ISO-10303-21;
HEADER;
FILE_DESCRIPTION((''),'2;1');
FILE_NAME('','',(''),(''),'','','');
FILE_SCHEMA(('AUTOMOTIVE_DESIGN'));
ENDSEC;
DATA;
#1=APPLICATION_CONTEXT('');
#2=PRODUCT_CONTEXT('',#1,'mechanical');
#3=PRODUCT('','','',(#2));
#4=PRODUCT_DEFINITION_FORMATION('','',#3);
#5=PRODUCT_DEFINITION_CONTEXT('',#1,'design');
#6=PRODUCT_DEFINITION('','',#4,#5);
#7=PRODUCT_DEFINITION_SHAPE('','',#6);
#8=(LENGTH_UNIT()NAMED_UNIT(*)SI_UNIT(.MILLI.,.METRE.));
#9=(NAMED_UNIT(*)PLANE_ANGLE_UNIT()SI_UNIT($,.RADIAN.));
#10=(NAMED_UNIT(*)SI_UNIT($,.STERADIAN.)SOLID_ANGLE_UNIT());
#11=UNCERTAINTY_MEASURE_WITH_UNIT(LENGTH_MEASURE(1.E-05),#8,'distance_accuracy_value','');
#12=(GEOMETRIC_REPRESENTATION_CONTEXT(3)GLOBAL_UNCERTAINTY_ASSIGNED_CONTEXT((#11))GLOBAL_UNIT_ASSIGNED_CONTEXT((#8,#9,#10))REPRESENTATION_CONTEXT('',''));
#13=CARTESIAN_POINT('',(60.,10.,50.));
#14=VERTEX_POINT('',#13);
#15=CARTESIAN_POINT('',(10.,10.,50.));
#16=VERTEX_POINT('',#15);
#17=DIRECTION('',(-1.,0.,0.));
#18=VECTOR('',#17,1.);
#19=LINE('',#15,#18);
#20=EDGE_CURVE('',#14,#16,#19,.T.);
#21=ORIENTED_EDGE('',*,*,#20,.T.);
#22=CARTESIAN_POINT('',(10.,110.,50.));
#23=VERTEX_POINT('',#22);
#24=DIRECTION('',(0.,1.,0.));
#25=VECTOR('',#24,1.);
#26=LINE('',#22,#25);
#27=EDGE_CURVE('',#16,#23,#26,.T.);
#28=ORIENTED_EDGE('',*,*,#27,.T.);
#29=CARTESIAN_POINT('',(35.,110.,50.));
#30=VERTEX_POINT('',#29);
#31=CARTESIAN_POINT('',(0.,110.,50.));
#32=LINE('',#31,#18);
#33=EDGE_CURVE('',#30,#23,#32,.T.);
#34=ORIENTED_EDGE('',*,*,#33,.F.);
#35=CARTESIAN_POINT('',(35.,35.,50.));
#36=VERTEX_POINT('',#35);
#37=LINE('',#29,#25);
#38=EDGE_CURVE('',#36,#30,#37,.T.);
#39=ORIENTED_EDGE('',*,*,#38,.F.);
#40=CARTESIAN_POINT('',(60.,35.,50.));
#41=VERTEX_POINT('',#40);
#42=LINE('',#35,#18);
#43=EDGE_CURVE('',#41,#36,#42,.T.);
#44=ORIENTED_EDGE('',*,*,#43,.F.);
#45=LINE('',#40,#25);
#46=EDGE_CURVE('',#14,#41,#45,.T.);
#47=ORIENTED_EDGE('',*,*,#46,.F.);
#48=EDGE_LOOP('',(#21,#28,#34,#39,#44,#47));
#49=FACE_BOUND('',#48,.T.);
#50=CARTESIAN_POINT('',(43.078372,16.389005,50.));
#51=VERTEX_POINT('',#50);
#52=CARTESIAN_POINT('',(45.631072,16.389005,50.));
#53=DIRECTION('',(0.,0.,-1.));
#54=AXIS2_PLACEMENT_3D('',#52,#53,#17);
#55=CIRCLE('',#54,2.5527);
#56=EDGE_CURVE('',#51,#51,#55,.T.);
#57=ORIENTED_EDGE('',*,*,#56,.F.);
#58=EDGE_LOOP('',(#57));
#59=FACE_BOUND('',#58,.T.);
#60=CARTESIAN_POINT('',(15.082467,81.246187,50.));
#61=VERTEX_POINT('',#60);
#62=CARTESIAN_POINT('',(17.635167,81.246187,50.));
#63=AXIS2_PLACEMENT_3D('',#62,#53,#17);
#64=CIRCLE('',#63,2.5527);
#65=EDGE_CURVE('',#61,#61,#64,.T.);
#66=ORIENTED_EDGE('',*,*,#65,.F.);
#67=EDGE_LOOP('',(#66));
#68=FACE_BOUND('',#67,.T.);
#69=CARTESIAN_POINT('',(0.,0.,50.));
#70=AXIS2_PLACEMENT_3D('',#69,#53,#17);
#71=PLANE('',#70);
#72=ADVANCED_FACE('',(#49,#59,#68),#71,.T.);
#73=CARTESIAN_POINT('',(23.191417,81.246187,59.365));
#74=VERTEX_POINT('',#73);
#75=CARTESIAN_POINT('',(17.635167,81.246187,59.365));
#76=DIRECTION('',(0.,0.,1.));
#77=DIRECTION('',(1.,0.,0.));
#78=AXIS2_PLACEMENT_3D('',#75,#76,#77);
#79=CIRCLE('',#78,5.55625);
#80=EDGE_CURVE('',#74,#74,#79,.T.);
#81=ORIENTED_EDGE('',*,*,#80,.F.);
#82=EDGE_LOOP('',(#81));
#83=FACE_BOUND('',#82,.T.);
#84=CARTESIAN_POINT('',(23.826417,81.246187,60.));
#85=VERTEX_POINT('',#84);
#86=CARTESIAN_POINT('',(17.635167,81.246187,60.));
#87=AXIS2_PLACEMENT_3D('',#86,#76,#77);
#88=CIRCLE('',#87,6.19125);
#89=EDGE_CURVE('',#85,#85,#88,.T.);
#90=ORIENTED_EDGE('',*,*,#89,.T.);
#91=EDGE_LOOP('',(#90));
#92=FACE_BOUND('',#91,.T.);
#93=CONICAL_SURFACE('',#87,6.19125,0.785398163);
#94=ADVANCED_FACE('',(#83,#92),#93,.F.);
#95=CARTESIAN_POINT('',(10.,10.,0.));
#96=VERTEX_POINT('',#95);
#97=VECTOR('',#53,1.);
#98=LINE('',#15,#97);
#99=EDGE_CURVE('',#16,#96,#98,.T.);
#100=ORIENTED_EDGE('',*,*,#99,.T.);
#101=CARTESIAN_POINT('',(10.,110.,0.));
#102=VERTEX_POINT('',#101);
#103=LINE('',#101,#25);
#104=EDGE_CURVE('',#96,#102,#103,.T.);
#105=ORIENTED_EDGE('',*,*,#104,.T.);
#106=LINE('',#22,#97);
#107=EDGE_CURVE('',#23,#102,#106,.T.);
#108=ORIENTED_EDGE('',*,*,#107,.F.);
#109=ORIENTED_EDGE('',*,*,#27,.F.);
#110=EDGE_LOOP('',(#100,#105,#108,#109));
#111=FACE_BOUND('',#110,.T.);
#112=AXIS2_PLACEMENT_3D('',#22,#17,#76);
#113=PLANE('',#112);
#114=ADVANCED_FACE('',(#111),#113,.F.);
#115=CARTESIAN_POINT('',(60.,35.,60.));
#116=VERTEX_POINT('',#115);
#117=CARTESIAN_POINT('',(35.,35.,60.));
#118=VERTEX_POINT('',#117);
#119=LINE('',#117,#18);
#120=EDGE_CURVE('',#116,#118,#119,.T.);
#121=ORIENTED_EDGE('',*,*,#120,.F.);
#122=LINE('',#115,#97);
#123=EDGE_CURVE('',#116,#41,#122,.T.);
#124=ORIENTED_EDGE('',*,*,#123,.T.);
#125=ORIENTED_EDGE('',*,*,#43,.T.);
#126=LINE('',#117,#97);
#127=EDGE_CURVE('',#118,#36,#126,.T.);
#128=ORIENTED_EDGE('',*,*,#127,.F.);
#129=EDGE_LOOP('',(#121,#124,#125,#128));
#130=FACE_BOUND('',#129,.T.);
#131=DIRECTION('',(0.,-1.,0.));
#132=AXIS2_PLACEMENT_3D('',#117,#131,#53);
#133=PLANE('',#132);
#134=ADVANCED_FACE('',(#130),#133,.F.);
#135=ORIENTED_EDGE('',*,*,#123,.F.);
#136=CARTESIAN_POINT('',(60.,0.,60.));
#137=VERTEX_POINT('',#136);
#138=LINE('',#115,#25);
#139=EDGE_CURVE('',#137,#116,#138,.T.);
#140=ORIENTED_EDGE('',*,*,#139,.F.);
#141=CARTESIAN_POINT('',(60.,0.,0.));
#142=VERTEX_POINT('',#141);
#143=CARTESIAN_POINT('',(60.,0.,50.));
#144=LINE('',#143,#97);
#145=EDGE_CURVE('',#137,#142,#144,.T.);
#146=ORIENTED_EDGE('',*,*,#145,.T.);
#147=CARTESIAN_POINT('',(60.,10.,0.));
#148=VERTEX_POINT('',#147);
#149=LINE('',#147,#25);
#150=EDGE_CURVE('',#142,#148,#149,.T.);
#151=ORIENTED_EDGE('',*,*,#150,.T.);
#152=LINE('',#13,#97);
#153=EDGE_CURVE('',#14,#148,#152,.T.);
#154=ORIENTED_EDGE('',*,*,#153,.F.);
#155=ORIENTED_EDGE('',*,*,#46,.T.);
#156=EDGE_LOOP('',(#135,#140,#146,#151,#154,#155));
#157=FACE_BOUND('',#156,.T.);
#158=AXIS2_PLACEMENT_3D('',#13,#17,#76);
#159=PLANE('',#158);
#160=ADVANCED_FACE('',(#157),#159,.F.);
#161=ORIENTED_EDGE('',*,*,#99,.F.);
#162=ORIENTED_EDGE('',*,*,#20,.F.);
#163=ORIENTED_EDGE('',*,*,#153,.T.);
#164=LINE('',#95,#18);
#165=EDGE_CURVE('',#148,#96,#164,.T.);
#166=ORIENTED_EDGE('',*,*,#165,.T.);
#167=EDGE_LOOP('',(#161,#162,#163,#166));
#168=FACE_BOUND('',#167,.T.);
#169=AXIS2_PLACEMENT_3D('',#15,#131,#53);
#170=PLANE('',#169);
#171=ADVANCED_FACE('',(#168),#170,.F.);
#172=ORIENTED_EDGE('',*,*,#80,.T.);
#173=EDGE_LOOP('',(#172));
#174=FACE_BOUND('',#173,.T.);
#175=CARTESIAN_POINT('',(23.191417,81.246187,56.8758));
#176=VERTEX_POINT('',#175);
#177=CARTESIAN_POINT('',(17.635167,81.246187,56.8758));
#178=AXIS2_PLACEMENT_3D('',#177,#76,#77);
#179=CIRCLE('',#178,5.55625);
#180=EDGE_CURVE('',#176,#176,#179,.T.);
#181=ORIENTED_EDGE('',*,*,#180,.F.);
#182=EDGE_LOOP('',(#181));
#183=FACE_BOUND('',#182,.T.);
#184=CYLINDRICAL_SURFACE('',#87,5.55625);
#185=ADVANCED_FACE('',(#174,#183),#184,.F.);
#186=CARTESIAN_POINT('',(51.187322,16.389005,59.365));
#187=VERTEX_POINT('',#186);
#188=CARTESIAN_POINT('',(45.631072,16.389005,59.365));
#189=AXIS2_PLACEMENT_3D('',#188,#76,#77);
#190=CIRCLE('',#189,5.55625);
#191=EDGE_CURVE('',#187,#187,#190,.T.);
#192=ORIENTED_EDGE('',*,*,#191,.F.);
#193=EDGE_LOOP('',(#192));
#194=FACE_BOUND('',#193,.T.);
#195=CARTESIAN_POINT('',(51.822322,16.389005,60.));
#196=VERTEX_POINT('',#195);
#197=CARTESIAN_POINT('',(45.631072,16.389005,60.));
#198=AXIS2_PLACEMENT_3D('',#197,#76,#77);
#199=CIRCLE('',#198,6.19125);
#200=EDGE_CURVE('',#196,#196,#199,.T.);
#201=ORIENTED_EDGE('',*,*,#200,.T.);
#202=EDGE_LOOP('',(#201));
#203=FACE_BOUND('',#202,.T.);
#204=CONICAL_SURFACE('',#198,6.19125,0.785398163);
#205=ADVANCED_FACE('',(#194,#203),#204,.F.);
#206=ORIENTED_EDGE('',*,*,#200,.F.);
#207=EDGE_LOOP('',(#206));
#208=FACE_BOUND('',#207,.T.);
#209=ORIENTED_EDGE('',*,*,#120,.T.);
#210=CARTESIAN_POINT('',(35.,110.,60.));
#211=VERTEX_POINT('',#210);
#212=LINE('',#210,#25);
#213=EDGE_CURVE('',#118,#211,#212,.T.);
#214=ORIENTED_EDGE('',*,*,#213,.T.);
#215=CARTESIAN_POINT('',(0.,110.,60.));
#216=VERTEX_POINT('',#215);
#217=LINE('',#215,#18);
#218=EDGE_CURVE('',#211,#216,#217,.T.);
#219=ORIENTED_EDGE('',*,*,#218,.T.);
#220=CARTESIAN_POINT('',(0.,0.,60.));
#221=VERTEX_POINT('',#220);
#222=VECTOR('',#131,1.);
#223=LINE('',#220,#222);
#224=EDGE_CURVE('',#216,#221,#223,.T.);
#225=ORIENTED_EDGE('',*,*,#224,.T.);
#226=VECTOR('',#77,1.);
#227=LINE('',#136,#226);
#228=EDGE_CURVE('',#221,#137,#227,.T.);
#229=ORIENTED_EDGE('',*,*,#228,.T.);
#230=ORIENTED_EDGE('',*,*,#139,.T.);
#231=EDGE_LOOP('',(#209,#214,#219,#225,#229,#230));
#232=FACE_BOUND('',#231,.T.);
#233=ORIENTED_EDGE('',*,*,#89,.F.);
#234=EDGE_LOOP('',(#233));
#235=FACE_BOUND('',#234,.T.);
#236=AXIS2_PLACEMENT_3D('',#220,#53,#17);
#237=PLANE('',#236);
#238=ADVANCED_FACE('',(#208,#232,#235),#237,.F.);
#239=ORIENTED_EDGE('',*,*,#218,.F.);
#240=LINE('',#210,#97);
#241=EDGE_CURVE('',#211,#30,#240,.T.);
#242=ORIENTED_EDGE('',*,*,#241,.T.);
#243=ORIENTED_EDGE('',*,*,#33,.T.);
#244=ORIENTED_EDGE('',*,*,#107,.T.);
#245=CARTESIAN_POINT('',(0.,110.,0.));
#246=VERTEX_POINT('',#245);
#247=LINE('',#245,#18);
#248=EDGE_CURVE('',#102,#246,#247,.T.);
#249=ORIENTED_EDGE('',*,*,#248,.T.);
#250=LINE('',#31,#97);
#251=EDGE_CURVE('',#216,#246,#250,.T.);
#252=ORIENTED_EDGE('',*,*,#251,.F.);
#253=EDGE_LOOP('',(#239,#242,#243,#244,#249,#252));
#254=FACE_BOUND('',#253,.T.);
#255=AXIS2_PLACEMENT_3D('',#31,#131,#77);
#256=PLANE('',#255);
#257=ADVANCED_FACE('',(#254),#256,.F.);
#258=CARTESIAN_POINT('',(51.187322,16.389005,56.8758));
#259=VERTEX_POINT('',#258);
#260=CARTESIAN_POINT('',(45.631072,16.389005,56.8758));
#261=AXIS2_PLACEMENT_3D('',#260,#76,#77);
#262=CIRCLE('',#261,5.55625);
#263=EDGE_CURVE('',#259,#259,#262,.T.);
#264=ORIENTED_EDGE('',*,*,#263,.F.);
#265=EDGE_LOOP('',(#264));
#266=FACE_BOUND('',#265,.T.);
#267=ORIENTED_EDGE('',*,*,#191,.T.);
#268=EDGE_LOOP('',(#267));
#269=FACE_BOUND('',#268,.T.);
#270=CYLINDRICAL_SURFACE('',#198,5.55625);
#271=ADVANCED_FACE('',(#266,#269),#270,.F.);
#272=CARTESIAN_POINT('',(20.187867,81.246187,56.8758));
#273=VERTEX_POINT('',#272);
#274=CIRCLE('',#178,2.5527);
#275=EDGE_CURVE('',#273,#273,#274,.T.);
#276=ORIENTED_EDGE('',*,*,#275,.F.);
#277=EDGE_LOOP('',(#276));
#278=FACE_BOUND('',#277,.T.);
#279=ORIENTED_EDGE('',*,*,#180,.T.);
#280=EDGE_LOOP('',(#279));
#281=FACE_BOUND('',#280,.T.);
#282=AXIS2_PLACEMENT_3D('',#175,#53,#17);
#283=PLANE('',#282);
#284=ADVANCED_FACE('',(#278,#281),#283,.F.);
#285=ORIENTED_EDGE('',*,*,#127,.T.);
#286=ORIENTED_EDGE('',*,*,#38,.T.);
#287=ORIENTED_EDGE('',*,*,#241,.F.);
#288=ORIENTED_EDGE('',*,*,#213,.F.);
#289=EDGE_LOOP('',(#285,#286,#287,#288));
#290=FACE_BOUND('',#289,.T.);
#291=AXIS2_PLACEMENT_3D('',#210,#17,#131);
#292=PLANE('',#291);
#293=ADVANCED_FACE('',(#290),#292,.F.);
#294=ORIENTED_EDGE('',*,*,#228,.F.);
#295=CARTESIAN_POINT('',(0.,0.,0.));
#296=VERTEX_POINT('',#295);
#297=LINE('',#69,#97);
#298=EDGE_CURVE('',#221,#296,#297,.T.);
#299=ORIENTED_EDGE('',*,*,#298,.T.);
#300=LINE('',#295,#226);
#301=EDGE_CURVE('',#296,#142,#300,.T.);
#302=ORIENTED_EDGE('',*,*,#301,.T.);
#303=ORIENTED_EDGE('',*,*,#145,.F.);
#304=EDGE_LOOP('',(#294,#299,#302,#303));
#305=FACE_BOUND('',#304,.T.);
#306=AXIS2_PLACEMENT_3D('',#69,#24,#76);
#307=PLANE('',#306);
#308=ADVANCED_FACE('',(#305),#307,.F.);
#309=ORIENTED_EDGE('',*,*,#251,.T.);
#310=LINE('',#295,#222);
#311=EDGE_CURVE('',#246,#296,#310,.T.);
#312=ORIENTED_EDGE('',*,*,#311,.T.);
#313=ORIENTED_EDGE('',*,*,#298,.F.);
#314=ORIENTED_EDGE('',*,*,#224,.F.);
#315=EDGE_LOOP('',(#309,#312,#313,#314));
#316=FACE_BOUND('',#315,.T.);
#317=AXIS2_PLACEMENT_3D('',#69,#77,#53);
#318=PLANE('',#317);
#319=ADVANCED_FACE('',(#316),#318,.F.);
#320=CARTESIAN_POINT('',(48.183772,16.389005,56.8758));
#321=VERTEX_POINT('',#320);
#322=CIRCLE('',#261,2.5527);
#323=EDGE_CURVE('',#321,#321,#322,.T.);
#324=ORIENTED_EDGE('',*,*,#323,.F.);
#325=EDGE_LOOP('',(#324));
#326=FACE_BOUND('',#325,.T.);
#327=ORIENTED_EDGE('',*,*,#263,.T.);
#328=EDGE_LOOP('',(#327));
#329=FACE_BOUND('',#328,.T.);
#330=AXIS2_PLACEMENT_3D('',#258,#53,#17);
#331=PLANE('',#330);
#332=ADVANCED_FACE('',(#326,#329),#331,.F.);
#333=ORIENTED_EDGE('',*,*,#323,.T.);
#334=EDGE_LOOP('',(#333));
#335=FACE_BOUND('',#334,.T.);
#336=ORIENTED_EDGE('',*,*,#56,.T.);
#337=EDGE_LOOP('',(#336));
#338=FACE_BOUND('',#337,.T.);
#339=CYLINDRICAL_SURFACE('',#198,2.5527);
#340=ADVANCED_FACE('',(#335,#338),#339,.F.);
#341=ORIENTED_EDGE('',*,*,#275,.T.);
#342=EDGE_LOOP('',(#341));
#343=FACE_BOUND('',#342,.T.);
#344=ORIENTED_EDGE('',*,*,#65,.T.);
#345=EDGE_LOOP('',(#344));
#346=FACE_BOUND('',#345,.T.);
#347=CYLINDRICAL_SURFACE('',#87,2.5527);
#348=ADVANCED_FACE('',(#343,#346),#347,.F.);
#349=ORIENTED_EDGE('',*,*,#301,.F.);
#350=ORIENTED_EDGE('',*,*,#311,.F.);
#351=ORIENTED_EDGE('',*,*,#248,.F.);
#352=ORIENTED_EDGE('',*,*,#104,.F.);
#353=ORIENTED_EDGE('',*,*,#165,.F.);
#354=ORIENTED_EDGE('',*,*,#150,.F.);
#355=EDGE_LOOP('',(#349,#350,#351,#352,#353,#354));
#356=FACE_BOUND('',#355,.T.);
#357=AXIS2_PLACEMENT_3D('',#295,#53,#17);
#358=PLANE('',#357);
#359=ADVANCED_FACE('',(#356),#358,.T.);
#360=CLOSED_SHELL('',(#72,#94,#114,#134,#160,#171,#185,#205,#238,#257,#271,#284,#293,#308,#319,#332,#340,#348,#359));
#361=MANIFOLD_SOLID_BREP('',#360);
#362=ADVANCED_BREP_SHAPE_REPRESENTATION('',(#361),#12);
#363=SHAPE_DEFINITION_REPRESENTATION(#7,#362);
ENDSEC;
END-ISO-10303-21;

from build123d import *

# Parameters (mm, degrees)
BOSS_EXTRUDE1_DEPTH                         = 50
BOSS_EXTRUDE2_DEPTH                         = 10
CBORE_FOR_10_BINDING_HEAD_MACHINE_S_2_COUNT = 2
CBORE_FOR_10_BINDING_HEAD_MACHINE_S_2_PITCH = 70.641523205


with BuildPart() as part:
    # Sketch1 → Boss-Extrude1 (new body)
    with BuildSketch(Plane.XY):
        Polygon((0, 110), (10, 110), (10, 10), (60, 10), (60, 0), (0, 0), align=None)
    extrude(amount=BOSS_EXTRUDE1_DEPTH)

    # Sketch2 → Boss-Extrude2 (add)
    with BuildSketch(Plane.XY.offset(50)):
        Polygon((0, 110), (35, 110), (35, 35), (60, 35), (60, 0), (0, 0), align=None)
    extrude(amount=BOSS_EXTRUDE2_DEPTH)

    # Sketch3 → CBORE for #10 Binding Head Machine Screw1 (revolve, cut)
    with BuildSketch(Plane(origin=(17.635166565, 81.246186772, 60), x_dir=(0, -1, 0), z_dir=(1, 0, 0))):
        Polygon((0, 0), (0, 60.000025), (2.5527, 60.000025), (2.5527, 3.1242), (5.55625, 3.1242), (5.55625, 0.635), (6.19125, 0), align=None)
    cbore_for_10_binding_head_machine_screw = revolve(axis=Axis((17.635166565, 81.246186772, 66.35), (0, 0, -1)), mode=Mode.SUBTRACT)

    # CBORE for _10 Binding Head Machine S 2: CBORE for #10 Binding Head Machine Screw1 ×2
    with Locations(*[Vector(0.396309487955917, -0.9181169804312079, 0) * (i * CBORE_FOR_10_BINDING_HEAD_MACHINE_S_2_PITCH) for i in range(1, CBORE_FOR_10_BINDING_HEAD_MACHINE_S_2_COUNT)]):
        add(cbore_for_10_binding_head_machine_screw, mode=Mode.SUBTRACT)


solid = part.part
